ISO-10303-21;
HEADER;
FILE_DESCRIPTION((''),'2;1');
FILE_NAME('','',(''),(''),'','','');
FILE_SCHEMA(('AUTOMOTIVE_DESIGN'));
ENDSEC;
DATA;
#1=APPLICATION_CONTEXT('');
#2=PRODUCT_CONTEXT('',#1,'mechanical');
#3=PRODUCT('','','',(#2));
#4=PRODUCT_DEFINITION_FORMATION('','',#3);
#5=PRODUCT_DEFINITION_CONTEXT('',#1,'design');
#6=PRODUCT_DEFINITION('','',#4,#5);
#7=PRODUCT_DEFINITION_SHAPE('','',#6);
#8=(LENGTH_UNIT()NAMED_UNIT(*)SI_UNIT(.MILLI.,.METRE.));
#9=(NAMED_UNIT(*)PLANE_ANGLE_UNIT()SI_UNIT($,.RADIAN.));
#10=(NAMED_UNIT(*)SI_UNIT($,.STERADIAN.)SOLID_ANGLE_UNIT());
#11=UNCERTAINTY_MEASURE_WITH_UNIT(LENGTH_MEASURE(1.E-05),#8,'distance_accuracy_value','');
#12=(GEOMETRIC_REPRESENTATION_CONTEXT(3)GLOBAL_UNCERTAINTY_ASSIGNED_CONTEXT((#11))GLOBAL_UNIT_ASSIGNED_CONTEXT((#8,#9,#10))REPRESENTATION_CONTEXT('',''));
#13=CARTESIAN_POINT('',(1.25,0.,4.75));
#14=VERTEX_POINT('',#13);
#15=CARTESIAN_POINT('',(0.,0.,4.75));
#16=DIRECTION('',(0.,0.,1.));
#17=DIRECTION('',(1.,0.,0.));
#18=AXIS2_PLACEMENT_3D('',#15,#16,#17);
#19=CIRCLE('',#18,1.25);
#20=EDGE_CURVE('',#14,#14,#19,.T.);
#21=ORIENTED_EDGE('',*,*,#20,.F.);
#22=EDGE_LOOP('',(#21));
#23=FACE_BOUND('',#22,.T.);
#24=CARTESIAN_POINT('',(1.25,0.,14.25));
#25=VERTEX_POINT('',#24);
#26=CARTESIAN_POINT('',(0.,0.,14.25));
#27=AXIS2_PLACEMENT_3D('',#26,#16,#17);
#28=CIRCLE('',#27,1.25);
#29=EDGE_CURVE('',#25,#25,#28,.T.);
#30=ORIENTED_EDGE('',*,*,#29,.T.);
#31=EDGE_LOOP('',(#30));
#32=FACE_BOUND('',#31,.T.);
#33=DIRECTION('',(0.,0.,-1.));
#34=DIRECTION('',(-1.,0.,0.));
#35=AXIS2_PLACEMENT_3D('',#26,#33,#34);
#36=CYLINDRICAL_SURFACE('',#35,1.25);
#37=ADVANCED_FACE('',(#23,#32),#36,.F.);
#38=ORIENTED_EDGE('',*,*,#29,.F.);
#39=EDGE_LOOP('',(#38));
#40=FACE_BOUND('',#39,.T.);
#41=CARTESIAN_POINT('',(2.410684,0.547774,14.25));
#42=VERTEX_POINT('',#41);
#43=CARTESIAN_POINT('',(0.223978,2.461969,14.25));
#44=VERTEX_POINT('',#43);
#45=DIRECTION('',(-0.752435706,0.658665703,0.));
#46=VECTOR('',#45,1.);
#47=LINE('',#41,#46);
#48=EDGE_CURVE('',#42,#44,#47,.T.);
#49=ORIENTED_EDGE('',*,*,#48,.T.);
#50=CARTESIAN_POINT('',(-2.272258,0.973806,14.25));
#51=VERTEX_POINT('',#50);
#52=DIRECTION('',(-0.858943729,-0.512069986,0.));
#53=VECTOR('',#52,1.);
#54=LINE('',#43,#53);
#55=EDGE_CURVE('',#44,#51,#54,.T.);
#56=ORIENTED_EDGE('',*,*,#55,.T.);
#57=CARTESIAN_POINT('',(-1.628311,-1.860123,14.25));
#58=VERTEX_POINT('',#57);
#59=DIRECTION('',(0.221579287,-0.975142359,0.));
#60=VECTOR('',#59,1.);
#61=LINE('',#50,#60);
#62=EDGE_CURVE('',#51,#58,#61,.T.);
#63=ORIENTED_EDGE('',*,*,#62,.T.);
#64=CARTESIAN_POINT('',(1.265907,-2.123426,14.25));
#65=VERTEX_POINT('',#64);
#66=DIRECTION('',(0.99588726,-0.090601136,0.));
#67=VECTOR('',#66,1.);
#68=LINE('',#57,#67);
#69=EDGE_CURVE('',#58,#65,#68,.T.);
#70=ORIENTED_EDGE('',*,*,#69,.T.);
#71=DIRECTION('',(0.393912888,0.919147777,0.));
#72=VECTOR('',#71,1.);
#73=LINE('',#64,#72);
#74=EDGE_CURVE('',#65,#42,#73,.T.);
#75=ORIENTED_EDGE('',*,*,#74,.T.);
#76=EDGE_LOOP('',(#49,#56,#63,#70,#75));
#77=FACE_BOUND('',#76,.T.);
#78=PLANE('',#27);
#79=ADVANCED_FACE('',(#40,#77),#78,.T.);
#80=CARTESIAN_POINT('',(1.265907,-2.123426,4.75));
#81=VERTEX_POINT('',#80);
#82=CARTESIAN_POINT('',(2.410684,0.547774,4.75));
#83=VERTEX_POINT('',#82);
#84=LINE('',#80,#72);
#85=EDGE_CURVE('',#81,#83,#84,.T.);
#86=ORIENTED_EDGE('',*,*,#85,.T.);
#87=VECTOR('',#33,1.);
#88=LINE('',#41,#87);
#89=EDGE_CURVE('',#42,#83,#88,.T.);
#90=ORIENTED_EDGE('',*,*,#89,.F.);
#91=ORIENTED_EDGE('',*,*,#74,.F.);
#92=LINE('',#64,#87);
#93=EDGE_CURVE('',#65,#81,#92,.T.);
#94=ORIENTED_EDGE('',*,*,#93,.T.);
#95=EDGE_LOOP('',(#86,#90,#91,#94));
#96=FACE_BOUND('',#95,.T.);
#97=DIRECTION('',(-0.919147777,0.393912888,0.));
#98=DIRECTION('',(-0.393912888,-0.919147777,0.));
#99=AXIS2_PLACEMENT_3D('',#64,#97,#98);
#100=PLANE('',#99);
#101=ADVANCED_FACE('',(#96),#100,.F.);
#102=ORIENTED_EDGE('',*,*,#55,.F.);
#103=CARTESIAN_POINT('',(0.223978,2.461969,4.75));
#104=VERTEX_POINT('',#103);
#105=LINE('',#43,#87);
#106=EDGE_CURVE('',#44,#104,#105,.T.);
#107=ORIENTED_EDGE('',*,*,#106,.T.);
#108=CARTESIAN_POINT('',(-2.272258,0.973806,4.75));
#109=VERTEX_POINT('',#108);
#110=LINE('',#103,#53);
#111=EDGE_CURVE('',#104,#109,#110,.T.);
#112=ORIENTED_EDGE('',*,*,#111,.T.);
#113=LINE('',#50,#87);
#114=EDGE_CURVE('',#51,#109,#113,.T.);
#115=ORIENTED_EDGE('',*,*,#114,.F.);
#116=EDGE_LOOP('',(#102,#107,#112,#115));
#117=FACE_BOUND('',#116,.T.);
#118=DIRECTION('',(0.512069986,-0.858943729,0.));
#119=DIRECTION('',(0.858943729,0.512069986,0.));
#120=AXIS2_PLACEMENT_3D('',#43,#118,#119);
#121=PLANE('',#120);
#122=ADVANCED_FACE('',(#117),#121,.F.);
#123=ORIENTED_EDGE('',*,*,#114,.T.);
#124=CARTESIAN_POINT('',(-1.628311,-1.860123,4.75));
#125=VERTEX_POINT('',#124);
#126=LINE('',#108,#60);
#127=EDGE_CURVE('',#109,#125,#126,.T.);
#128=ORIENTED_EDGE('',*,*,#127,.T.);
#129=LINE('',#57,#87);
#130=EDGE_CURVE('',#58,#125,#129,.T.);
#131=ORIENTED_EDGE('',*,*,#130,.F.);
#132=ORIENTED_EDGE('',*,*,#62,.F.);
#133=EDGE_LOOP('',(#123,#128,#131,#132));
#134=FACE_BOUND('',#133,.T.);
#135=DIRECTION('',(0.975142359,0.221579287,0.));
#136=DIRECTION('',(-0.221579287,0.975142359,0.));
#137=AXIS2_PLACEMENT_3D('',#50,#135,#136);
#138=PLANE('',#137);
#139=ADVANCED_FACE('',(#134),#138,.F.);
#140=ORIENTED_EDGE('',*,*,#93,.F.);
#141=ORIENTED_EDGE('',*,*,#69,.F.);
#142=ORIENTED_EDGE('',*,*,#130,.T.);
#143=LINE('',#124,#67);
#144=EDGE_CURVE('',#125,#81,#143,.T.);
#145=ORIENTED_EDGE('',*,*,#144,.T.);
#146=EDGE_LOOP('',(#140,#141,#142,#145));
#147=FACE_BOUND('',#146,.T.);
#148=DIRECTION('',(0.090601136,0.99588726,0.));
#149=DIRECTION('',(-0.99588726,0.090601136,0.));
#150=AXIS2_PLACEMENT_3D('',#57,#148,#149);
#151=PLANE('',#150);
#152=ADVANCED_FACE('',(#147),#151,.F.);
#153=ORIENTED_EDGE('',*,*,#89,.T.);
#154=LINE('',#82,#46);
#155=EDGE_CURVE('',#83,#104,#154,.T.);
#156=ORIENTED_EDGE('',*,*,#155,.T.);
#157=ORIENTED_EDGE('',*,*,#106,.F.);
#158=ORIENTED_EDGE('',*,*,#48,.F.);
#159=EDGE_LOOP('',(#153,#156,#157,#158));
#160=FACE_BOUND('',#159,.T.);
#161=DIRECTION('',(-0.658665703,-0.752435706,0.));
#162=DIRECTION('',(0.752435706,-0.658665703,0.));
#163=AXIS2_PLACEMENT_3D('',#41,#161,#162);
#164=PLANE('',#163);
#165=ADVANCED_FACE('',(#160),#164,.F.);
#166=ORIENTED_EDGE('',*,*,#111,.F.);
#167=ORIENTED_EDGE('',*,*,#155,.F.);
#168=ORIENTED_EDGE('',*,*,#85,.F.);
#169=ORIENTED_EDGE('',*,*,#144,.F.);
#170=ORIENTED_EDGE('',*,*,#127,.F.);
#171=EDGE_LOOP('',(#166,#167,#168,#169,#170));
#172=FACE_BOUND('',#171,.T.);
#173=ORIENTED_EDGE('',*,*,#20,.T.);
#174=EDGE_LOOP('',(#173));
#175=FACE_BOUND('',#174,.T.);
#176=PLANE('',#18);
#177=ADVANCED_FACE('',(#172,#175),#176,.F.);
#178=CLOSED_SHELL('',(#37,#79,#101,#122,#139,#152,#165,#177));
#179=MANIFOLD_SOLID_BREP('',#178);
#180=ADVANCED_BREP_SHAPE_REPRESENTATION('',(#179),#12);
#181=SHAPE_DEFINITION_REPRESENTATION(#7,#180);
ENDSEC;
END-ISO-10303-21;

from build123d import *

# Parameters (mm, degrees)
IZIM1_R                     = 2.5
Y_KSEKLIK_EKSTR_ZYON1_DEPTH = 19
SCALE1_SCALE                = 0.5


with BuildPart() as part:
    # Çizim1 → Yükseklik-Ekstrüzyon1 (new body)
    with BuildSketch(Plane.XY):
        Polygon((0.447956651, 4.923937404), (-4.544516536, 1.947612429), (-3.256622333, -3.720246726), (2.531813246, -4.246851352), (4.821368972, 1.095548245), align=None)
        Circle(IZIM1_R, mode=Mode.SUBTRACT)
    extrude(amount=Y_KSEKLIK_EKSTR_ZYON1_DEPTH)


with BuildPart() as part_1:
    # Scale1: scaled about (0, 0, 9.5)
    add(part.part.scale(SCALE1_SCALE).moved(Location((0, 0, 4.75))))


solid = part_1.part
